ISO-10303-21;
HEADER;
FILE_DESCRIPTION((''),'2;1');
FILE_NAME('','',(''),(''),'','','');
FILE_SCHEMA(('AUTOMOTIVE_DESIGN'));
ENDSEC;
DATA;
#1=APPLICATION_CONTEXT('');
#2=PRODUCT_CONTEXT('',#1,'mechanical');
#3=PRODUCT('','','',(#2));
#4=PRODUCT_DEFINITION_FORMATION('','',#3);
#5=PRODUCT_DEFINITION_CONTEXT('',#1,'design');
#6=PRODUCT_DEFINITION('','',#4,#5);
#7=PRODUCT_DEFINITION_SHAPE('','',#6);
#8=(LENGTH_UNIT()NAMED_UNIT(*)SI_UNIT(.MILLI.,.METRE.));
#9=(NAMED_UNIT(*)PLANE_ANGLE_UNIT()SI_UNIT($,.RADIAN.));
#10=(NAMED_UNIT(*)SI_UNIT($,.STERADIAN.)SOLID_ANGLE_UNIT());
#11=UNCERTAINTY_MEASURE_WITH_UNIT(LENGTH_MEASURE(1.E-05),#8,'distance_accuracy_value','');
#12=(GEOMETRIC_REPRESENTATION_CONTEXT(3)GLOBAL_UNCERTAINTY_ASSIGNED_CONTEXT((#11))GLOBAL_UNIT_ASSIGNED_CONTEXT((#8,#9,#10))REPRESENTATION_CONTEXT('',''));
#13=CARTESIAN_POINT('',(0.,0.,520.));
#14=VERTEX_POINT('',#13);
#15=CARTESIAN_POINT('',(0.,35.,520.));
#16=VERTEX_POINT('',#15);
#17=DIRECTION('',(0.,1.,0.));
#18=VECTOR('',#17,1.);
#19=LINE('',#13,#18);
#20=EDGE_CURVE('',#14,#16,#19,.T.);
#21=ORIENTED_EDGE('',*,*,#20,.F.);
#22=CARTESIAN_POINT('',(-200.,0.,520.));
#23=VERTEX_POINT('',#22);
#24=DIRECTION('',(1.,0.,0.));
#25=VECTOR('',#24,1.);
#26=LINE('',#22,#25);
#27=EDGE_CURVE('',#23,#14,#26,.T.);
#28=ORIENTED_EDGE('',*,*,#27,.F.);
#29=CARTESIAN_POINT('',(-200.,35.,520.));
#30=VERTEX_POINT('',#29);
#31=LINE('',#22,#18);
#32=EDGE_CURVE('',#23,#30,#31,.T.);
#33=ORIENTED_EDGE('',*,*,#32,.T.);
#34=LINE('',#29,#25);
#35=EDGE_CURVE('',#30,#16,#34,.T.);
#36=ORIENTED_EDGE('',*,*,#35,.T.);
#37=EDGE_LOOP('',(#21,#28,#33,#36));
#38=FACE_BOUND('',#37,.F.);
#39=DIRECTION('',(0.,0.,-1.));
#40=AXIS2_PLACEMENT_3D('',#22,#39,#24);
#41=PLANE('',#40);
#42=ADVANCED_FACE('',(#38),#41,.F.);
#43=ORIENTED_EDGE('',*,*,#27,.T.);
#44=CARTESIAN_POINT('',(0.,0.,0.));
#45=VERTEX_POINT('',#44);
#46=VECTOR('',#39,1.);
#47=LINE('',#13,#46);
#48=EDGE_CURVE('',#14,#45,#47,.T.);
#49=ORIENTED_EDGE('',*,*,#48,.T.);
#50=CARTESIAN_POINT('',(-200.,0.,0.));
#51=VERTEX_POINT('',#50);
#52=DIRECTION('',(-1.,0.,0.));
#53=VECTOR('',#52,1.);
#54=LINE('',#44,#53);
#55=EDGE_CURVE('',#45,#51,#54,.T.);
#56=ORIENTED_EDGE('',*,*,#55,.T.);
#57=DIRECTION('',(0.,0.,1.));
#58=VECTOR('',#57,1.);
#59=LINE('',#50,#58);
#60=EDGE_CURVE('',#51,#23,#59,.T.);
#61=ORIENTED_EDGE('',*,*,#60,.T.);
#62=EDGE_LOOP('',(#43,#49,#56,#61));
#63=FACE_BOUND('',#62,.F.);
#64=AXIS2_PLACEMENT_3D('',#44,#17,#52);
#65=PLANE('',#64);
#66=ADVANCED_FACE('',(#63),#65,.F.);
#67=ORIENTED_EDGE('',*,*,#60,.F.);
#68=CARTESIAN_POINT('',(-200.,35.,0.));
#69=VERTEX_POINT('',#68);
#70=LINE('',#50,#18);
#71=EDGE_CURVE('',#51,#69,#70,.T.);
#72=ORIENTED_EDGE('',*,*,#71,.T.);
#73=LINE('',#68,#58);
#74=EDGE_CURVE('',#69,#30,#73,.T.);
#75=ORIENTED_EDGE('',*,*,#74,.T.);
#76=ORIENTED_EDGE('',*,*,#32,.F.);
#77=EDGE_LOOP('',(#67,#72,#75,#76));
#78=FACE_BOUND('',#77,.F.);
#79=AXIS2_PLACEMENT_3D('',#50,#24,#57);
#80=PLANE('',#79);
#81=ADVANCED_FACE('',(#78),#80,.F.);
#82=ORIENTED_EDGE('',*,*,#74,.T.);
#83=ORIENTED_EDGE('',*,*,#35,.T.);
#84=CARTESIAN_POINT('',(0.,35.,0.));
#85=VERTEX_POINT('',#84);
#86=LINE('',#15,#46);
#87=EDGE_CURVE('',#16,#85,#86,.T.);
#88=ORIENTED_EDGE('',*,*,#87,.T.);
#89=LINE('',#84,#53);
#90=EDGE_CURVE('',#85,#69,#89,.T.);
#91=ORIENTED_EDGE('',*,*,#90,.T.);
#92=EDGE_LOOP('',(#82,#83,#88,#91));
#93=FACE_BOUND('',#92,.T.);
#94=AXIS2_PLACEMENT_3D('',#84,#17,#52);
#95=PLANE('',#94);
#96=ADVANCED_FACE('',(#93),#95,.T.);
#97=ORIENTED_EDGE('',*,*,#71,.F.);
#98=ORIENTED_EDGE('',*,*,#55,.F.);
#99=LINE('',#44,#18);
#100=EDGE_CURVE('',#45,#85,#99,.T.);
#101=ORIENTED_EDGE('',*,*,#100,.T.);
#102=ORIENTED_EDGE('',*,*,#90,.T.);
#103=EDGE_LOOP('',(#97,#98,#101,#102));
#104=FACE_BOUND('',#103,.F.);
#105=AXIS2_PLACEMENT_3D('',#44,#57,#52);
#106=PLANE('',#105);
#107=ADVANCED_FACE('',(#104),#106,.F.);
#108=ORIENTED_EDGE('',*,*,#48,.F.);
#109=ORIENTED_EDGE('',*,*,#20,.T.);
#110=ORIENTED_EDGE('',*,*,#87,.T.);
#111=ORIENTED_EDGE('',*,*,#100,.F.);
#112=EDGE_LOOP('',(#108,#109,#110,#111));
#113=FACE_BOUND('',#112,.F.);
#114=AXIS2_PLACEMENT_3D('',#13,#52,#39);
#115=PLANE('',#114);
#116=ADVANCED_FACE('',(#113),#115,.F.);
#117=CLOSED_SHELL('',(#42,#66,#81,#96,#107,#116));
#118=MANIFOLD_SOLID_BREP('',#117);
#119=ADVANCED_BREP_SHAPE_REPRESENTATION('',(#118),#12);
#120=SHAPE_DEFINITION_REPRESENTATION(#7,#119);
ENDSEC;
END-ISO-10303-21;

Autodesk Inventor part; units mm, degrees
ref_plane "YZ Plane" through (0, 0, 0) normal (1, 0, 0) x (0, 1, 0)
ref_plane "XZ Plane" through (0, 0, 0) normal (0, 1, 0) x (-1, 0, 0)
ref_plane "XY Plane" through (0, 0, 0) normal (0, 0, 1) x (1, 0, 0)
sketch "Sketch1" plane through (0, 0, 0) normal (0, 1, 0) x (-1, 0, 0)
  line L0 (0, 0) -> (200, 0)
  line L1 (200, 0) -> (200, 520)
  line L2 (200, 520) -> (0, 520)
  line L3 (0, 520) -> (0, 0)
  dimension "d0" = 520
  dimension "d1" = 200
extrude "Extrusion1" add sketch "Sketch1" along normal blind 35
properties part number "platform"
